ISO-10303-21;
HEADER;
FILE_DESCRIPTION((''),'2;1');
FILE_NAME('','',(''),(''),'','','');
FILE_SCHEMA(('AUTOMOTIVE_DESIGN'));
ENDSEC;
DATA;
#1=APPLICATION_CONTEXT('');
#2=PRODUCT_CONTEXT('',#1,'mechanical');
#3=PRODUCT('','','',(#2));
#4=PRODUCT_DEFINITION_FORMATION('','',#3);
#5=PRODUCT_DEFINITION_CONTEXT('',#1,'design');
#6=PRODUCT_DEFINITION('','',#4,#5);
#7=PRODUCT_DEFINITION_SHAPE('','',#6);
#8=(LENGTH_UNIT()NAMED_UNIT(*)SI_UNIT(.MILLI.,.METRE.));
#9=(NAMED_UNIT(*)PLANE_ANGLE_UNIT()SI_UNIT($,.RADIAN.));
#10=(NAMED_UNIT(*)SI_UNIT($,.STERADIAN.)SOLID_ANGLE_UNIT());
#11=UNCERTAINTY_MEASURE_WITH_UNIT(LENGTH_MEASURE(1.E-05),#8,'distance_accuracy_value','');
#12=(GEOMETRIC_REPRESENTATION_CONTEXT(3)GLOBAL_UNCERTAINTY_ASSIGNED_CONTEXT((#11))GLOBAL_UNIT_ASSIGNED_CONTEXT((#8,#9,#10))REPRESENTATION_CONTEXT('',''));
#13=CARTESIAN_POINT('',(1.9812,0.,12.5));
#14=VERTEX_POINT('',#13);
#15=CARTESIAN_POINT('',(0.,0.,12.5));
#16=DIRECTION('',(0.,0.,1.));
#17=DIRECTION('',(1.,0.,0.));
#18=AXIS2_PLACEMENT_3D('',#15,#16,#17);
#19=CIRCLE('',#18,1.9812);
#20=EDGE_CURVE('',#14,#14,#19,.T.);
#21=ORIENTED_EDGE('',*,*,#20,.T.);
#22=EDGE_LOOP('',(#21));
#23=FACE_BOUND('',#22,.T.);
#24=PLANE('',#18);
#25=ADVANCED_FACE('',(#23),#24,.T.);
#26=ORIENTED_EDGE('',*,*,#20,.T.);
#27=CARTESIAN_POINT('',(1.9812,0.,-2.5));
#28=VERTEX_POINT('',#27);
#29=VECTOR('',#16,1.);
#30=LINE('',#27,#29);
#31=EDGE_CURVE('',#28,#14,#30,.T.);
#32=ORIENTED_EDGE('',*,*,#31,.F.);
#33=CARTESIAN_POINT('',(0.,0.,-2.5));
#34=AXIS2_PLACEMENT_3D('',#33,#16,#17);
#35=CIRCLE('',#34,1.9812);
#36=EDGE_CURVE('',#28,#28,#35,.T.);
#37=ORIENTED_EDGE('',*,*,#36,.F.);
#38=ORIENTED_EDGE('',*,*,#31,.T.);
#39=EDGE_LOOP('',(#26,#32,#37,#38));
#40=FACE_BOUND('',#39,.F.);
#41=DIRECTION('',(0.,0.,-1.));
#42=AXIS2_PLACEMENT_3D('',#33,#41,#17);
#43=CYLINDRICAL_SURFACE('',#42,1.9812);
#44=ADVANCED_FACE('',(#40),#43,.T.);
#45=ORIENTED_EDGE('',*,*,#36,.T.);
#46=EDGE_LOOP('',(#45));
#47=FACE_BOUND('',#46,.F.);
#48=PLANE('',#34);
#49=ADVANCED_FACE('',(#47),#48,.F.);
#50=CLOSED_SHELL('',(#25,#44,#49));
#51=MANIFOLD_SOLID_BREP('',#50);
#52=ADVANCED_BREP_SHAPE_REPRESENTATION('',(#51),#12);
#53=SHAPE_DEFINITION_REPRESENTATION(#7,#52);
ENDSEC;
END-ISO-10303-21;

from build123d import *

# Parameters (mm, degrees)
CYLINDER_R     = 1.9812
CYLINDER_DEPTH = 15


with BuildPart() as part:
    # Cylinder → Cylinder (new body)
    with BuildSketch(Plane.XY.offset(-2.5)):
        Circle(CYLINDER_R)
    extrude(amount=CYLINDER_DEPTH)


solid = part.part
